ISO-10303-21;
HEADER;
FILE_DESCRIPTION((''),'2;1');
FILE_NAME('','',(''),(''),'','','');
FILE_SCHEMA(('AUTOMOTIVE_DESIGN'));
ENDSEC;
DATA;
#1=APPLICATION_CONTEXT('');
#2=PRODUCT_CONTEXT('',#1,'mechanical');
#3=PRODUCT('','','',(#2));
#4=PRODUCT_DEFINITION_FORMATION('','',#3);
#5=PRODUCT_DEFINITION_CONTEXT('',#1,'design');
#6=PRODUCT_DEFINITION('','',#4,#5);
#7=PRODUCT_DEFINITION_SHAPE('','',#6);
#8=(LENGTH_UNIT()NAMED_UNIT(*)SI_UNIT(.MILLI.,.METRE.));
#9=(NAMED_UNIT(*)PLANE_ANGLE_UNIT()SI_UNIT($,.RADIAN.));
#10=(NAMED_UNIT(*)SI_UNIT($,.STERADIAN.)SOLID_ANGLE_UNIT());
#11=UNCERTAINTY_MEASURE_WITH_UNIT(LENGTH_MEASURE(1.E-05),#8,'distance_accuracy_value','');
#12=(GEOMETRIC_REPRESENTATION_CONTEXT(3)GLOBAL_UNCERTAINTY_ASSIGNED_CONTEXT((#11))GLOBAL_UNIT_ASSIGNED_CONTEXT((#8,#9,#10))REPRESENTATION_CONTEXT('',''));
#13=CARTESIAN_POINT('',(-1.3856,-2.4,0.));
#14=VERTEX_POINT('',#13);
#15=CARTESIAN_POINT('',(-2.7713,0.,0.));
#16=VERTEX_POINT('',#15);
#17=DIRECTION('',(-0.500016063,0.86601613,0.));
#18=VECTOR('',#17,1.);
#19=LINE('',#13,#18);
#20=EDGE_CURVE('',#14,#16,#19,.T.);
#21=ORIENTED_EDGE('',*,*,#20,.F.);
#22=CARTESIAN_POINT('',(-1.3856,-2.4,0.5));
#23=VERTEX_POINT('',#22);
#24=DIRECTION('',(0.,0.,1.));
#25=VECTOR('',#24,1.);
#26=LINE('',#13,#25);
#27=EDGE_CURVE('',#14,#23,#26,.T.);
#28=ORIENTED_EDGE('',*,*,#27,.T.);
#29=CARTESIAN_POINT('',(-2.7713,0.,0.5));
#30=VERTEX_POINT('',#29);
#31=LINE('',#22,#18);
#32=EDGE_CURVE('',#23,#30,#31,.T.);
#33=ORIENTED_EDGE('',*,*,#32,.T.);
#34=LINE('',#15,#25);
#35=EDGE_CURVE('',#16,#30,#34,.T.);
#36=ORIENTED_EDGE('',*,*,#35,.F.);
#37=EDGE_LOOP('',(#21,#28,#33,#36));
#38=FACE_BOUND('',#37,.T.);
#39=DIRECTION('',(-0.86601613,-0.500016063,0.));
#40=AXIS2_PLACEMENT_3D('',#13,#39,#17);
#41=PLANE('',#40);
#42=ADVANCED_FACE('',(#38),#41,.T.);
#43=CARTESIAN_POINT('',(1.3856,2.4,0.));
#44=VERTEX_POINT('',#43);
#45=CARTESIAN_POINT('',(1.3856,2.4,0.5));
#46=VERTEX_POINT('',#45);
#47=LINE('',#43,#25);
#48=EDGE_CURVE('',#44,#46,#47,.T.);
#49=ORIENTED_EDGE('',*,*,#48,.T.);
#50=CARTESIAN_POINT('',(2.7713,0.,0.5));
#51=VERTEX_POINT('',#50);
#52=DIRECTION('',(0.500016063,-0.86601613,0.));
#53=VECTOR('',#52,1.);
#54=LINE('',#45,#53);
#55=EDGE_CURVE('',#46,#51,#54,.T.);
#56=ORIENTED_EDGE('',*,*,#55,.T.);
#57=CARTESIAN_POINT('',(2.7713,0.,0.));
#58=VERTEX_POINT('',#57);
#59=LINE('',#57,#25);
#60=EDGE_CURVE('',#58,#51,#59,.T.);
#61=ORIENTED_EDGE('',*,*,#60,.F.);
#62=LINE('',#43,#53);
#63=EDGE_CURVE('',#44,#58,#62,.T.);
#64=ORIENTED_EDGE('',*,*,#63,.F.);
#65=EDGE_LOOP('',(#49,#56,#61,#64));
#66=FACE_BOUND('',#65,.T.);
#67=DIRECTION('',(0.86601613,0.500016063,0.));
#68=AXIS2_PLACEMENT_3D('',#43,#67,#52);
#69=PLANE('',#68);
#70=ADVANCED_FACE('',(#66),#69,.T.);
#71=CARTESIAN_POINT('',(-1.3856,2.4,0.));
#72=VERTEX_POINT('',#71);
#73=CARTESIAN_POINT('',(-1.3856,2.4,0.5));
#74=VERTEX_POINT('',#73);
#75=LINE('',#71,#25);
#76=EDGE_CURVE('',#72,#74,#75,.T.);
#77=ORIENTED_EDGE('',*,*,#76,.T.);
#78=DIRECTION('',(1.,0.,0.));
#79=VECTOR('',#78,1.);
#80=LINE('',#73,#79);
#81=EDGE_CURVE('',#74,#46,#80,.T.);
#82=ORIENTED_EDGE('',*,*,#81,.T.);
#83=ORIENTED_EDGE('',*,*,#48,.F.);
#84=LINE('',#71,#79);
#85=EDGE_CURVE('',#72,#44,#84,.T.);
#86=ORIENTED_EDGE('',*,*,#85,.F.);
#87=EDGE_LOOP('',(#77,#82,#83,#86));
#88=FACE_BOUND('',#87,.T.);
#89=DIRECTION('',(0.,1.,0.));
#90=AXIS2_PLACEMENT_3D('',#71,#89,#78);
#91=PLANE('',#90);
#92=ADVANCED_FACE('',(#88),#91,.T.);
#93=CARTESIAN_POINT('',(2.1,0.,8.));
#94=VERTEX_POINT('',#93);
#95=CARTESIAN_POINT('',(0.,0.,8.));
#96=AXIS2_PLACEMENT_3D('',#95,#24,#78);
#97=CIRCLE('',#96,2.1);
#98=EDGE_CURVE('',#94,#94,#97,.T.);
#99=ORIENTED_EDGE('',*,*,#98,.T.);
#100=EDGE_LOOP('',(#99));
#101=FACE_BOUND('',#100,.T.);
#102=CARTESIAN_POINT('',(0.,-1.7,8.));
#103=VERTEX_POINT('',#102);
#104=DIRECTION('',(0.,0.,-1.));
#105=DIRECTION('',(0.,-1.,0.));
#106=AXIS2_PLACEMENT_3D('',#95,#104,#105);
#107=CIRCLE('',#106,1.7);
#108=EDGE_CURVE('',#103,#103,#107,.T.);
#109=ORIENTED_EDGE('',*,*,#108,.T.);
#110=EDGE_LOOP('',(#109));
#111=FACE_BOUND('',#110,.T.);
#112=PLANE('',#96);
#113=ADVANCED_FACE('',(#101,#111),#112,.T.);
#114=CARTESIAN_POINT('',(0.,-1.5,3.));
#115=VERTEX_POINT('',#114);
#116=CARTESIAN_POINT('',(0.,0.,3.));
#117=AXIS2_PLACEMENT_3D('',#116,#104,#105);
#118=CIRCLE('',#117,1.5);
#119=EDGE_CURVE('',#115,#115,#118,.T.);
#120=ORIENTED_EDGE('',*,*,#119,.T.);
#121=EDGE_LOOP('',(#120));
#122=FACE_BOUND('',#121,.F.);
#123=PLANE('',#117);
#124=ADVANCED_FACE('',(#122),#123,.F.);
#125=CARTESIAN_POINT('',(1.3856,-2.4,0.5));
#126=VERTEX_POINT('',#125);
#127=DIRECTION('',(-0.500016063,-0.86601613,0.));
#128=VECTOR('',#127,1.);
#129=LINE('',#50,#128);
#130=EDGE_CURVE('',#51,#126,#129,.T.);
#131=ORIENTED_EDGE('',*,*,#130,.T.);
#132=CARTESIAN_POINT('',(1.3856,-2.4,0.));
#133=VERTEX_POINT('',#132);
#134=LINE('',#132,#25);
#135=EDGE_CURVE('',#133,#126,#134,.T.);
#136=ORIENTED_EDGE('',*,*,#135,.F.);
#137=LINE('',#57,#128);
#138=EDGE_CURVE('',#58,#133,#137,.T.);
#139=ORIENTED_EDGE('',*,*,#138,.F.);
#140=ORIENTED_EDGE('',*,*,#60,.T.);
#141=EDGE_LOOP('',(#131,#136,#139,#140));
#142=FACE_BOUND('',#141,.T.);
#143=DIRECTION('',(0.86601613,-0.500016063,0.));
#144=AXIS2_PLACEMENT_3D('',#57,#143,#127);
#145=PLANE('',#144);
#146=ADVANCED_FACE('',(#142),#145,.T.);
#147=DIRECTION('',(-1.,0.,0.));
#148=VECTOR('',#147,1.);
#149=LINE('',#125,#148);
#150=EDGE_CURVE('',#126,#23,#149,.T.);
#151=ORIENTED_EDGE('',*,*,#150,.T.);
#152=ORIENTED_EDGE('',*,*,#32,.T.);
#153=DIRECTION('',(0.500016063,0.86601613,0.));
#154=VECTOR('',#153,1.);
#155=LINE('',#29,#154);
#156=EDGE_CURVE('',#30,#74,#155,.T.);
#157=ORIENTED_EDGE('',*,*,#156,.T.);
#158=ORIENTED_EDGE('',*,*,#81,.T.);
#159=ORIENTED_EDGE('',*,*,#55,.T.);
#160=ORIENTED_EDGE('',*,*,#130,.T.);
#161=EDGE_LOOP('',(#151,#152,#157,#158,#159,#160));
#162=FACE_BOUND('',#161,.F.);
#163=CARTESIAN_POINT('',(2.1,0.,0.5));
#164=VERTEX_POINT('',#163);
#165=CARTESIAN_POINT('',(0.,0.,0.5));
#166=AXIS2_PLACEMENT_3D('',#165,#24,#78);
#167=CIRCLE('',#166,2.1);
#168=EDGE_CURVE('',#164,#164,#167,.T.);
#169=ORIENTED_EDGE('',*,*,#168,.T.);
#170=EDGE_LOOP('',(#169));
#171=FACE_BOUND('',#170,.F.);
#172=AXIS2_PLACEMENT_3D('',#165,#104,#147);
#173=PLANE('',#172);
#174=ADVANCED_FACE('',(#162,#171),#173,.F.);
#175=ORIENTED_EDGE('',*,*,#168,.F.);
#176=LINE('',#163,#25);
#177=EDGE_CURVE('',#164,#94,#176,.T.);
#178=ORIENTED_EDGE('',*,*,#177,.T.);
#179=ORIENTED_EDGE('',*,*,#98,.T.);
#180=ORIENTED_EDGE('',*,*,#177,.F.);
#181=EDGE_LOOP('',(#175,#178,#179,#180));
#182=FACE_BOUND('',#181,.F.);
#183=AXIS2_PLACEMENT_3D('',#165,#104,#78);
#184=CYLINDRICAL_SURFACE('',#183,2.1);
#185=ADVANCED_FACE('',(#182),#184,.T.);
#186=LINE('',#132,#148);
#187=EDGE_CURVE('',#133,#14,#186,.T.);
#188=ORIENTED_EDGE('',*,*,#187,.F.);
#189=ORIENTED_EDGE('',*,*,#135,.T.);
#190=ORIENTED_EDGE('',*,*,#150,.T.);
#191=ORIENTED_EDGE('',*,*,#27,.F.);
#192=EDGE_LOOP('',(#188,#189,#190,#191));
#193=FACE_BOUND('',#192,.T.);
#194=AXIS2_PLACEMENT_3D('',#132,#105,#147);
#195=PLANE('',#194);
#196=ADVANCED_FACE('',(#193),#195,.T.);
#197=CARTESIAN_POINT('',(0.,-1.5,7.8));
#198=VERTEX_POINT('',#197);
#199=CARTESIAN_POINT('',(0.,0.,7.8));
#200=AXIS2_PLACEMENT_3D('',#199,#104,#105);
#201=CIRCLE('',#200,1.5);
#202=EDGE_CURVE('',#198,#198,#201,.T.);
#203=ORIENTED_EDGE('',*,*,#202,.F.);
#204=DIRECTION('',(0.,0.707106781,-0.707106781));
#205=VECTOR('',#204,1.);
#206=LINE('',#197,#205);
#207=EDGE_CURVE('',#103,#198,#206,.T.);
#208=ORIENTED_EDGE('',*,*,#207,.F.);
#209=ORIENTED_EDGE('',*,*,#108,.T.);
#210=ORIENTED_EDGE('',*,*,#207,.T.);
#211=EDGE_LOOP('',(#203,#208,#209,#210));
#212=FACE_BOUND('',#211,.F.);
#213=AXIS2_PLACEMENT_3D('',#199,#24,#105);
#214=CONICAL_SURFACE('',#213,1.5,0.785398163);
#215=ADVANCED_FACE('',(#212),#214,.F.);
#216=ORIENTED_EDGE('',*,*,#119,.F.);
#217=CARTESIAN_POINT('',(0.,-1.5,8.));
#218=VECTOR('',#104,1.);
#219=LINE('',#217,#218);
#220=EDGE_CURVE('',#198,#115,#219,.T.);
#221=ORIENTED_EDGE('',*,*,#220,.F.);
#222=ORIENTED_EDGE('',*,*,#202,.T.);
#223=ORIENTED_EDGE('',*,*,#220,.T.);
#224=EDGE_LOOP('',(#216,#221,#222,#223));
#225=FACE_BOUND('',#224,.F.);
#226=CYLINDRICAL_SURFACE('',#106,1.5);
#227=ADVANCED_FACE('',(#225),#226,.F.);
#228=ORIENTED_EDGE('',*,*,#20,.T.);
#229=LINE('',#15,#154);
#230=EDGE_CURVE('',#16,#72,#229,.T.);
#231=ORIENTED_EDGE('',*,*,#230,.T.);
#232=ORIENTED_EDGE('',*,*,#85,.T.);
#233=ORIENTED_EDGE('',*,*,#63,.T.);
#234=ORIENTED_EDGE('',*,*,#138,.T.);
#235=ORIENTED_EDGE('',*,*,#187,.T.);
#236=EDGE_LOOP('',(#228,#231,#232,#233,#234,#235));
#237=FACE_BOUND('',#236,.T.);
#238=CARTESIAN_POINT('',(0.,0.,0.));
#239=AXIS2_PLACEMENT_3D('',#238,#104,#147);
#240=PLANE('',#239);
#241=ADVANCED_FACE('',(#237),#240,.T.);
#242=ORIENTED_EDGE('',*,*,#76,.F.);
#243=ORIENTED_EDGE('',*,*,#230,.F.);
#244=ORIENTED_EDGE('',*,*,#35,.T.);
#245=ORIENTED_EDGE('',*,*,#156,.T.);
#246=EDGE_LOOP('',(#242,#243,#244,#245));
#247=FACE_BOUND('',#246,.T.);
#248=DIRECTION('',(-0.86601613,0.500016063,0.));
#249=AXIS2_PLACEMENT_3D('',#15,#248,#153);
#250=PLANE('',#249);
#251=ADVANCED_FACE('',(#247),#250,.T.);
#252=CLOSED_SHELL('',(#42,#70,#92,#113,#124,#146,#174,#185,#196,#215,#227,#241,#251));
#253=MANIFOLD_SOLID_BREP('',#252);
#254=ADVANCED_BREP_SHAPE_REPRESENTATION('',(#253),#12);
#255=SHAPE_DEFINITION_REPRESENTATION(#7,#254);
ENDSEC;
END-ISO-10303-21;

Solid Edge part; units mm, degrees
sketch "Sketch1" plane through (0, 0, 0) normal (0, 0, 1) x (1, 0, 0)
  line L0 (-1.3856, 2.4) -> (1.3856, 2.4)
  line L1 (1.3856, 2.4) -> (2.7713, 0)
  line L2 (2.7713, 0) -> (1.3856, -2.4)
  line L3 (1.3856, -2.4) -> (-1.3856, -2.4)
  line L4 (-1.3856, -2.4) -> (-2.7713, 0)
  line L5 (-2.7713, 0) -> (-1.3856, 2.4)
  dimension "D1" = 4.8
extrude "Protrusion1" add sketch "Sketch1" along normal blind 0.5
sketch "Sketch2" plane through (0, 0, 0.5) normal (0, 0, 1) x (1, 0, 0)
  circle A0 centre (0, 0) radius 2.1
  dimension "D1" = 4.2
extrude "Ausprägung_2" add sketch "Sketch2" along normal blind 7.5
hole "Bohrung_1" at (0, 0, 8) direction (0, 0, -1) diameter 3 depth 5
chamfer "Fase_1" distance 0.2 angle 45 1 edges at (0, 1.5, 8)
